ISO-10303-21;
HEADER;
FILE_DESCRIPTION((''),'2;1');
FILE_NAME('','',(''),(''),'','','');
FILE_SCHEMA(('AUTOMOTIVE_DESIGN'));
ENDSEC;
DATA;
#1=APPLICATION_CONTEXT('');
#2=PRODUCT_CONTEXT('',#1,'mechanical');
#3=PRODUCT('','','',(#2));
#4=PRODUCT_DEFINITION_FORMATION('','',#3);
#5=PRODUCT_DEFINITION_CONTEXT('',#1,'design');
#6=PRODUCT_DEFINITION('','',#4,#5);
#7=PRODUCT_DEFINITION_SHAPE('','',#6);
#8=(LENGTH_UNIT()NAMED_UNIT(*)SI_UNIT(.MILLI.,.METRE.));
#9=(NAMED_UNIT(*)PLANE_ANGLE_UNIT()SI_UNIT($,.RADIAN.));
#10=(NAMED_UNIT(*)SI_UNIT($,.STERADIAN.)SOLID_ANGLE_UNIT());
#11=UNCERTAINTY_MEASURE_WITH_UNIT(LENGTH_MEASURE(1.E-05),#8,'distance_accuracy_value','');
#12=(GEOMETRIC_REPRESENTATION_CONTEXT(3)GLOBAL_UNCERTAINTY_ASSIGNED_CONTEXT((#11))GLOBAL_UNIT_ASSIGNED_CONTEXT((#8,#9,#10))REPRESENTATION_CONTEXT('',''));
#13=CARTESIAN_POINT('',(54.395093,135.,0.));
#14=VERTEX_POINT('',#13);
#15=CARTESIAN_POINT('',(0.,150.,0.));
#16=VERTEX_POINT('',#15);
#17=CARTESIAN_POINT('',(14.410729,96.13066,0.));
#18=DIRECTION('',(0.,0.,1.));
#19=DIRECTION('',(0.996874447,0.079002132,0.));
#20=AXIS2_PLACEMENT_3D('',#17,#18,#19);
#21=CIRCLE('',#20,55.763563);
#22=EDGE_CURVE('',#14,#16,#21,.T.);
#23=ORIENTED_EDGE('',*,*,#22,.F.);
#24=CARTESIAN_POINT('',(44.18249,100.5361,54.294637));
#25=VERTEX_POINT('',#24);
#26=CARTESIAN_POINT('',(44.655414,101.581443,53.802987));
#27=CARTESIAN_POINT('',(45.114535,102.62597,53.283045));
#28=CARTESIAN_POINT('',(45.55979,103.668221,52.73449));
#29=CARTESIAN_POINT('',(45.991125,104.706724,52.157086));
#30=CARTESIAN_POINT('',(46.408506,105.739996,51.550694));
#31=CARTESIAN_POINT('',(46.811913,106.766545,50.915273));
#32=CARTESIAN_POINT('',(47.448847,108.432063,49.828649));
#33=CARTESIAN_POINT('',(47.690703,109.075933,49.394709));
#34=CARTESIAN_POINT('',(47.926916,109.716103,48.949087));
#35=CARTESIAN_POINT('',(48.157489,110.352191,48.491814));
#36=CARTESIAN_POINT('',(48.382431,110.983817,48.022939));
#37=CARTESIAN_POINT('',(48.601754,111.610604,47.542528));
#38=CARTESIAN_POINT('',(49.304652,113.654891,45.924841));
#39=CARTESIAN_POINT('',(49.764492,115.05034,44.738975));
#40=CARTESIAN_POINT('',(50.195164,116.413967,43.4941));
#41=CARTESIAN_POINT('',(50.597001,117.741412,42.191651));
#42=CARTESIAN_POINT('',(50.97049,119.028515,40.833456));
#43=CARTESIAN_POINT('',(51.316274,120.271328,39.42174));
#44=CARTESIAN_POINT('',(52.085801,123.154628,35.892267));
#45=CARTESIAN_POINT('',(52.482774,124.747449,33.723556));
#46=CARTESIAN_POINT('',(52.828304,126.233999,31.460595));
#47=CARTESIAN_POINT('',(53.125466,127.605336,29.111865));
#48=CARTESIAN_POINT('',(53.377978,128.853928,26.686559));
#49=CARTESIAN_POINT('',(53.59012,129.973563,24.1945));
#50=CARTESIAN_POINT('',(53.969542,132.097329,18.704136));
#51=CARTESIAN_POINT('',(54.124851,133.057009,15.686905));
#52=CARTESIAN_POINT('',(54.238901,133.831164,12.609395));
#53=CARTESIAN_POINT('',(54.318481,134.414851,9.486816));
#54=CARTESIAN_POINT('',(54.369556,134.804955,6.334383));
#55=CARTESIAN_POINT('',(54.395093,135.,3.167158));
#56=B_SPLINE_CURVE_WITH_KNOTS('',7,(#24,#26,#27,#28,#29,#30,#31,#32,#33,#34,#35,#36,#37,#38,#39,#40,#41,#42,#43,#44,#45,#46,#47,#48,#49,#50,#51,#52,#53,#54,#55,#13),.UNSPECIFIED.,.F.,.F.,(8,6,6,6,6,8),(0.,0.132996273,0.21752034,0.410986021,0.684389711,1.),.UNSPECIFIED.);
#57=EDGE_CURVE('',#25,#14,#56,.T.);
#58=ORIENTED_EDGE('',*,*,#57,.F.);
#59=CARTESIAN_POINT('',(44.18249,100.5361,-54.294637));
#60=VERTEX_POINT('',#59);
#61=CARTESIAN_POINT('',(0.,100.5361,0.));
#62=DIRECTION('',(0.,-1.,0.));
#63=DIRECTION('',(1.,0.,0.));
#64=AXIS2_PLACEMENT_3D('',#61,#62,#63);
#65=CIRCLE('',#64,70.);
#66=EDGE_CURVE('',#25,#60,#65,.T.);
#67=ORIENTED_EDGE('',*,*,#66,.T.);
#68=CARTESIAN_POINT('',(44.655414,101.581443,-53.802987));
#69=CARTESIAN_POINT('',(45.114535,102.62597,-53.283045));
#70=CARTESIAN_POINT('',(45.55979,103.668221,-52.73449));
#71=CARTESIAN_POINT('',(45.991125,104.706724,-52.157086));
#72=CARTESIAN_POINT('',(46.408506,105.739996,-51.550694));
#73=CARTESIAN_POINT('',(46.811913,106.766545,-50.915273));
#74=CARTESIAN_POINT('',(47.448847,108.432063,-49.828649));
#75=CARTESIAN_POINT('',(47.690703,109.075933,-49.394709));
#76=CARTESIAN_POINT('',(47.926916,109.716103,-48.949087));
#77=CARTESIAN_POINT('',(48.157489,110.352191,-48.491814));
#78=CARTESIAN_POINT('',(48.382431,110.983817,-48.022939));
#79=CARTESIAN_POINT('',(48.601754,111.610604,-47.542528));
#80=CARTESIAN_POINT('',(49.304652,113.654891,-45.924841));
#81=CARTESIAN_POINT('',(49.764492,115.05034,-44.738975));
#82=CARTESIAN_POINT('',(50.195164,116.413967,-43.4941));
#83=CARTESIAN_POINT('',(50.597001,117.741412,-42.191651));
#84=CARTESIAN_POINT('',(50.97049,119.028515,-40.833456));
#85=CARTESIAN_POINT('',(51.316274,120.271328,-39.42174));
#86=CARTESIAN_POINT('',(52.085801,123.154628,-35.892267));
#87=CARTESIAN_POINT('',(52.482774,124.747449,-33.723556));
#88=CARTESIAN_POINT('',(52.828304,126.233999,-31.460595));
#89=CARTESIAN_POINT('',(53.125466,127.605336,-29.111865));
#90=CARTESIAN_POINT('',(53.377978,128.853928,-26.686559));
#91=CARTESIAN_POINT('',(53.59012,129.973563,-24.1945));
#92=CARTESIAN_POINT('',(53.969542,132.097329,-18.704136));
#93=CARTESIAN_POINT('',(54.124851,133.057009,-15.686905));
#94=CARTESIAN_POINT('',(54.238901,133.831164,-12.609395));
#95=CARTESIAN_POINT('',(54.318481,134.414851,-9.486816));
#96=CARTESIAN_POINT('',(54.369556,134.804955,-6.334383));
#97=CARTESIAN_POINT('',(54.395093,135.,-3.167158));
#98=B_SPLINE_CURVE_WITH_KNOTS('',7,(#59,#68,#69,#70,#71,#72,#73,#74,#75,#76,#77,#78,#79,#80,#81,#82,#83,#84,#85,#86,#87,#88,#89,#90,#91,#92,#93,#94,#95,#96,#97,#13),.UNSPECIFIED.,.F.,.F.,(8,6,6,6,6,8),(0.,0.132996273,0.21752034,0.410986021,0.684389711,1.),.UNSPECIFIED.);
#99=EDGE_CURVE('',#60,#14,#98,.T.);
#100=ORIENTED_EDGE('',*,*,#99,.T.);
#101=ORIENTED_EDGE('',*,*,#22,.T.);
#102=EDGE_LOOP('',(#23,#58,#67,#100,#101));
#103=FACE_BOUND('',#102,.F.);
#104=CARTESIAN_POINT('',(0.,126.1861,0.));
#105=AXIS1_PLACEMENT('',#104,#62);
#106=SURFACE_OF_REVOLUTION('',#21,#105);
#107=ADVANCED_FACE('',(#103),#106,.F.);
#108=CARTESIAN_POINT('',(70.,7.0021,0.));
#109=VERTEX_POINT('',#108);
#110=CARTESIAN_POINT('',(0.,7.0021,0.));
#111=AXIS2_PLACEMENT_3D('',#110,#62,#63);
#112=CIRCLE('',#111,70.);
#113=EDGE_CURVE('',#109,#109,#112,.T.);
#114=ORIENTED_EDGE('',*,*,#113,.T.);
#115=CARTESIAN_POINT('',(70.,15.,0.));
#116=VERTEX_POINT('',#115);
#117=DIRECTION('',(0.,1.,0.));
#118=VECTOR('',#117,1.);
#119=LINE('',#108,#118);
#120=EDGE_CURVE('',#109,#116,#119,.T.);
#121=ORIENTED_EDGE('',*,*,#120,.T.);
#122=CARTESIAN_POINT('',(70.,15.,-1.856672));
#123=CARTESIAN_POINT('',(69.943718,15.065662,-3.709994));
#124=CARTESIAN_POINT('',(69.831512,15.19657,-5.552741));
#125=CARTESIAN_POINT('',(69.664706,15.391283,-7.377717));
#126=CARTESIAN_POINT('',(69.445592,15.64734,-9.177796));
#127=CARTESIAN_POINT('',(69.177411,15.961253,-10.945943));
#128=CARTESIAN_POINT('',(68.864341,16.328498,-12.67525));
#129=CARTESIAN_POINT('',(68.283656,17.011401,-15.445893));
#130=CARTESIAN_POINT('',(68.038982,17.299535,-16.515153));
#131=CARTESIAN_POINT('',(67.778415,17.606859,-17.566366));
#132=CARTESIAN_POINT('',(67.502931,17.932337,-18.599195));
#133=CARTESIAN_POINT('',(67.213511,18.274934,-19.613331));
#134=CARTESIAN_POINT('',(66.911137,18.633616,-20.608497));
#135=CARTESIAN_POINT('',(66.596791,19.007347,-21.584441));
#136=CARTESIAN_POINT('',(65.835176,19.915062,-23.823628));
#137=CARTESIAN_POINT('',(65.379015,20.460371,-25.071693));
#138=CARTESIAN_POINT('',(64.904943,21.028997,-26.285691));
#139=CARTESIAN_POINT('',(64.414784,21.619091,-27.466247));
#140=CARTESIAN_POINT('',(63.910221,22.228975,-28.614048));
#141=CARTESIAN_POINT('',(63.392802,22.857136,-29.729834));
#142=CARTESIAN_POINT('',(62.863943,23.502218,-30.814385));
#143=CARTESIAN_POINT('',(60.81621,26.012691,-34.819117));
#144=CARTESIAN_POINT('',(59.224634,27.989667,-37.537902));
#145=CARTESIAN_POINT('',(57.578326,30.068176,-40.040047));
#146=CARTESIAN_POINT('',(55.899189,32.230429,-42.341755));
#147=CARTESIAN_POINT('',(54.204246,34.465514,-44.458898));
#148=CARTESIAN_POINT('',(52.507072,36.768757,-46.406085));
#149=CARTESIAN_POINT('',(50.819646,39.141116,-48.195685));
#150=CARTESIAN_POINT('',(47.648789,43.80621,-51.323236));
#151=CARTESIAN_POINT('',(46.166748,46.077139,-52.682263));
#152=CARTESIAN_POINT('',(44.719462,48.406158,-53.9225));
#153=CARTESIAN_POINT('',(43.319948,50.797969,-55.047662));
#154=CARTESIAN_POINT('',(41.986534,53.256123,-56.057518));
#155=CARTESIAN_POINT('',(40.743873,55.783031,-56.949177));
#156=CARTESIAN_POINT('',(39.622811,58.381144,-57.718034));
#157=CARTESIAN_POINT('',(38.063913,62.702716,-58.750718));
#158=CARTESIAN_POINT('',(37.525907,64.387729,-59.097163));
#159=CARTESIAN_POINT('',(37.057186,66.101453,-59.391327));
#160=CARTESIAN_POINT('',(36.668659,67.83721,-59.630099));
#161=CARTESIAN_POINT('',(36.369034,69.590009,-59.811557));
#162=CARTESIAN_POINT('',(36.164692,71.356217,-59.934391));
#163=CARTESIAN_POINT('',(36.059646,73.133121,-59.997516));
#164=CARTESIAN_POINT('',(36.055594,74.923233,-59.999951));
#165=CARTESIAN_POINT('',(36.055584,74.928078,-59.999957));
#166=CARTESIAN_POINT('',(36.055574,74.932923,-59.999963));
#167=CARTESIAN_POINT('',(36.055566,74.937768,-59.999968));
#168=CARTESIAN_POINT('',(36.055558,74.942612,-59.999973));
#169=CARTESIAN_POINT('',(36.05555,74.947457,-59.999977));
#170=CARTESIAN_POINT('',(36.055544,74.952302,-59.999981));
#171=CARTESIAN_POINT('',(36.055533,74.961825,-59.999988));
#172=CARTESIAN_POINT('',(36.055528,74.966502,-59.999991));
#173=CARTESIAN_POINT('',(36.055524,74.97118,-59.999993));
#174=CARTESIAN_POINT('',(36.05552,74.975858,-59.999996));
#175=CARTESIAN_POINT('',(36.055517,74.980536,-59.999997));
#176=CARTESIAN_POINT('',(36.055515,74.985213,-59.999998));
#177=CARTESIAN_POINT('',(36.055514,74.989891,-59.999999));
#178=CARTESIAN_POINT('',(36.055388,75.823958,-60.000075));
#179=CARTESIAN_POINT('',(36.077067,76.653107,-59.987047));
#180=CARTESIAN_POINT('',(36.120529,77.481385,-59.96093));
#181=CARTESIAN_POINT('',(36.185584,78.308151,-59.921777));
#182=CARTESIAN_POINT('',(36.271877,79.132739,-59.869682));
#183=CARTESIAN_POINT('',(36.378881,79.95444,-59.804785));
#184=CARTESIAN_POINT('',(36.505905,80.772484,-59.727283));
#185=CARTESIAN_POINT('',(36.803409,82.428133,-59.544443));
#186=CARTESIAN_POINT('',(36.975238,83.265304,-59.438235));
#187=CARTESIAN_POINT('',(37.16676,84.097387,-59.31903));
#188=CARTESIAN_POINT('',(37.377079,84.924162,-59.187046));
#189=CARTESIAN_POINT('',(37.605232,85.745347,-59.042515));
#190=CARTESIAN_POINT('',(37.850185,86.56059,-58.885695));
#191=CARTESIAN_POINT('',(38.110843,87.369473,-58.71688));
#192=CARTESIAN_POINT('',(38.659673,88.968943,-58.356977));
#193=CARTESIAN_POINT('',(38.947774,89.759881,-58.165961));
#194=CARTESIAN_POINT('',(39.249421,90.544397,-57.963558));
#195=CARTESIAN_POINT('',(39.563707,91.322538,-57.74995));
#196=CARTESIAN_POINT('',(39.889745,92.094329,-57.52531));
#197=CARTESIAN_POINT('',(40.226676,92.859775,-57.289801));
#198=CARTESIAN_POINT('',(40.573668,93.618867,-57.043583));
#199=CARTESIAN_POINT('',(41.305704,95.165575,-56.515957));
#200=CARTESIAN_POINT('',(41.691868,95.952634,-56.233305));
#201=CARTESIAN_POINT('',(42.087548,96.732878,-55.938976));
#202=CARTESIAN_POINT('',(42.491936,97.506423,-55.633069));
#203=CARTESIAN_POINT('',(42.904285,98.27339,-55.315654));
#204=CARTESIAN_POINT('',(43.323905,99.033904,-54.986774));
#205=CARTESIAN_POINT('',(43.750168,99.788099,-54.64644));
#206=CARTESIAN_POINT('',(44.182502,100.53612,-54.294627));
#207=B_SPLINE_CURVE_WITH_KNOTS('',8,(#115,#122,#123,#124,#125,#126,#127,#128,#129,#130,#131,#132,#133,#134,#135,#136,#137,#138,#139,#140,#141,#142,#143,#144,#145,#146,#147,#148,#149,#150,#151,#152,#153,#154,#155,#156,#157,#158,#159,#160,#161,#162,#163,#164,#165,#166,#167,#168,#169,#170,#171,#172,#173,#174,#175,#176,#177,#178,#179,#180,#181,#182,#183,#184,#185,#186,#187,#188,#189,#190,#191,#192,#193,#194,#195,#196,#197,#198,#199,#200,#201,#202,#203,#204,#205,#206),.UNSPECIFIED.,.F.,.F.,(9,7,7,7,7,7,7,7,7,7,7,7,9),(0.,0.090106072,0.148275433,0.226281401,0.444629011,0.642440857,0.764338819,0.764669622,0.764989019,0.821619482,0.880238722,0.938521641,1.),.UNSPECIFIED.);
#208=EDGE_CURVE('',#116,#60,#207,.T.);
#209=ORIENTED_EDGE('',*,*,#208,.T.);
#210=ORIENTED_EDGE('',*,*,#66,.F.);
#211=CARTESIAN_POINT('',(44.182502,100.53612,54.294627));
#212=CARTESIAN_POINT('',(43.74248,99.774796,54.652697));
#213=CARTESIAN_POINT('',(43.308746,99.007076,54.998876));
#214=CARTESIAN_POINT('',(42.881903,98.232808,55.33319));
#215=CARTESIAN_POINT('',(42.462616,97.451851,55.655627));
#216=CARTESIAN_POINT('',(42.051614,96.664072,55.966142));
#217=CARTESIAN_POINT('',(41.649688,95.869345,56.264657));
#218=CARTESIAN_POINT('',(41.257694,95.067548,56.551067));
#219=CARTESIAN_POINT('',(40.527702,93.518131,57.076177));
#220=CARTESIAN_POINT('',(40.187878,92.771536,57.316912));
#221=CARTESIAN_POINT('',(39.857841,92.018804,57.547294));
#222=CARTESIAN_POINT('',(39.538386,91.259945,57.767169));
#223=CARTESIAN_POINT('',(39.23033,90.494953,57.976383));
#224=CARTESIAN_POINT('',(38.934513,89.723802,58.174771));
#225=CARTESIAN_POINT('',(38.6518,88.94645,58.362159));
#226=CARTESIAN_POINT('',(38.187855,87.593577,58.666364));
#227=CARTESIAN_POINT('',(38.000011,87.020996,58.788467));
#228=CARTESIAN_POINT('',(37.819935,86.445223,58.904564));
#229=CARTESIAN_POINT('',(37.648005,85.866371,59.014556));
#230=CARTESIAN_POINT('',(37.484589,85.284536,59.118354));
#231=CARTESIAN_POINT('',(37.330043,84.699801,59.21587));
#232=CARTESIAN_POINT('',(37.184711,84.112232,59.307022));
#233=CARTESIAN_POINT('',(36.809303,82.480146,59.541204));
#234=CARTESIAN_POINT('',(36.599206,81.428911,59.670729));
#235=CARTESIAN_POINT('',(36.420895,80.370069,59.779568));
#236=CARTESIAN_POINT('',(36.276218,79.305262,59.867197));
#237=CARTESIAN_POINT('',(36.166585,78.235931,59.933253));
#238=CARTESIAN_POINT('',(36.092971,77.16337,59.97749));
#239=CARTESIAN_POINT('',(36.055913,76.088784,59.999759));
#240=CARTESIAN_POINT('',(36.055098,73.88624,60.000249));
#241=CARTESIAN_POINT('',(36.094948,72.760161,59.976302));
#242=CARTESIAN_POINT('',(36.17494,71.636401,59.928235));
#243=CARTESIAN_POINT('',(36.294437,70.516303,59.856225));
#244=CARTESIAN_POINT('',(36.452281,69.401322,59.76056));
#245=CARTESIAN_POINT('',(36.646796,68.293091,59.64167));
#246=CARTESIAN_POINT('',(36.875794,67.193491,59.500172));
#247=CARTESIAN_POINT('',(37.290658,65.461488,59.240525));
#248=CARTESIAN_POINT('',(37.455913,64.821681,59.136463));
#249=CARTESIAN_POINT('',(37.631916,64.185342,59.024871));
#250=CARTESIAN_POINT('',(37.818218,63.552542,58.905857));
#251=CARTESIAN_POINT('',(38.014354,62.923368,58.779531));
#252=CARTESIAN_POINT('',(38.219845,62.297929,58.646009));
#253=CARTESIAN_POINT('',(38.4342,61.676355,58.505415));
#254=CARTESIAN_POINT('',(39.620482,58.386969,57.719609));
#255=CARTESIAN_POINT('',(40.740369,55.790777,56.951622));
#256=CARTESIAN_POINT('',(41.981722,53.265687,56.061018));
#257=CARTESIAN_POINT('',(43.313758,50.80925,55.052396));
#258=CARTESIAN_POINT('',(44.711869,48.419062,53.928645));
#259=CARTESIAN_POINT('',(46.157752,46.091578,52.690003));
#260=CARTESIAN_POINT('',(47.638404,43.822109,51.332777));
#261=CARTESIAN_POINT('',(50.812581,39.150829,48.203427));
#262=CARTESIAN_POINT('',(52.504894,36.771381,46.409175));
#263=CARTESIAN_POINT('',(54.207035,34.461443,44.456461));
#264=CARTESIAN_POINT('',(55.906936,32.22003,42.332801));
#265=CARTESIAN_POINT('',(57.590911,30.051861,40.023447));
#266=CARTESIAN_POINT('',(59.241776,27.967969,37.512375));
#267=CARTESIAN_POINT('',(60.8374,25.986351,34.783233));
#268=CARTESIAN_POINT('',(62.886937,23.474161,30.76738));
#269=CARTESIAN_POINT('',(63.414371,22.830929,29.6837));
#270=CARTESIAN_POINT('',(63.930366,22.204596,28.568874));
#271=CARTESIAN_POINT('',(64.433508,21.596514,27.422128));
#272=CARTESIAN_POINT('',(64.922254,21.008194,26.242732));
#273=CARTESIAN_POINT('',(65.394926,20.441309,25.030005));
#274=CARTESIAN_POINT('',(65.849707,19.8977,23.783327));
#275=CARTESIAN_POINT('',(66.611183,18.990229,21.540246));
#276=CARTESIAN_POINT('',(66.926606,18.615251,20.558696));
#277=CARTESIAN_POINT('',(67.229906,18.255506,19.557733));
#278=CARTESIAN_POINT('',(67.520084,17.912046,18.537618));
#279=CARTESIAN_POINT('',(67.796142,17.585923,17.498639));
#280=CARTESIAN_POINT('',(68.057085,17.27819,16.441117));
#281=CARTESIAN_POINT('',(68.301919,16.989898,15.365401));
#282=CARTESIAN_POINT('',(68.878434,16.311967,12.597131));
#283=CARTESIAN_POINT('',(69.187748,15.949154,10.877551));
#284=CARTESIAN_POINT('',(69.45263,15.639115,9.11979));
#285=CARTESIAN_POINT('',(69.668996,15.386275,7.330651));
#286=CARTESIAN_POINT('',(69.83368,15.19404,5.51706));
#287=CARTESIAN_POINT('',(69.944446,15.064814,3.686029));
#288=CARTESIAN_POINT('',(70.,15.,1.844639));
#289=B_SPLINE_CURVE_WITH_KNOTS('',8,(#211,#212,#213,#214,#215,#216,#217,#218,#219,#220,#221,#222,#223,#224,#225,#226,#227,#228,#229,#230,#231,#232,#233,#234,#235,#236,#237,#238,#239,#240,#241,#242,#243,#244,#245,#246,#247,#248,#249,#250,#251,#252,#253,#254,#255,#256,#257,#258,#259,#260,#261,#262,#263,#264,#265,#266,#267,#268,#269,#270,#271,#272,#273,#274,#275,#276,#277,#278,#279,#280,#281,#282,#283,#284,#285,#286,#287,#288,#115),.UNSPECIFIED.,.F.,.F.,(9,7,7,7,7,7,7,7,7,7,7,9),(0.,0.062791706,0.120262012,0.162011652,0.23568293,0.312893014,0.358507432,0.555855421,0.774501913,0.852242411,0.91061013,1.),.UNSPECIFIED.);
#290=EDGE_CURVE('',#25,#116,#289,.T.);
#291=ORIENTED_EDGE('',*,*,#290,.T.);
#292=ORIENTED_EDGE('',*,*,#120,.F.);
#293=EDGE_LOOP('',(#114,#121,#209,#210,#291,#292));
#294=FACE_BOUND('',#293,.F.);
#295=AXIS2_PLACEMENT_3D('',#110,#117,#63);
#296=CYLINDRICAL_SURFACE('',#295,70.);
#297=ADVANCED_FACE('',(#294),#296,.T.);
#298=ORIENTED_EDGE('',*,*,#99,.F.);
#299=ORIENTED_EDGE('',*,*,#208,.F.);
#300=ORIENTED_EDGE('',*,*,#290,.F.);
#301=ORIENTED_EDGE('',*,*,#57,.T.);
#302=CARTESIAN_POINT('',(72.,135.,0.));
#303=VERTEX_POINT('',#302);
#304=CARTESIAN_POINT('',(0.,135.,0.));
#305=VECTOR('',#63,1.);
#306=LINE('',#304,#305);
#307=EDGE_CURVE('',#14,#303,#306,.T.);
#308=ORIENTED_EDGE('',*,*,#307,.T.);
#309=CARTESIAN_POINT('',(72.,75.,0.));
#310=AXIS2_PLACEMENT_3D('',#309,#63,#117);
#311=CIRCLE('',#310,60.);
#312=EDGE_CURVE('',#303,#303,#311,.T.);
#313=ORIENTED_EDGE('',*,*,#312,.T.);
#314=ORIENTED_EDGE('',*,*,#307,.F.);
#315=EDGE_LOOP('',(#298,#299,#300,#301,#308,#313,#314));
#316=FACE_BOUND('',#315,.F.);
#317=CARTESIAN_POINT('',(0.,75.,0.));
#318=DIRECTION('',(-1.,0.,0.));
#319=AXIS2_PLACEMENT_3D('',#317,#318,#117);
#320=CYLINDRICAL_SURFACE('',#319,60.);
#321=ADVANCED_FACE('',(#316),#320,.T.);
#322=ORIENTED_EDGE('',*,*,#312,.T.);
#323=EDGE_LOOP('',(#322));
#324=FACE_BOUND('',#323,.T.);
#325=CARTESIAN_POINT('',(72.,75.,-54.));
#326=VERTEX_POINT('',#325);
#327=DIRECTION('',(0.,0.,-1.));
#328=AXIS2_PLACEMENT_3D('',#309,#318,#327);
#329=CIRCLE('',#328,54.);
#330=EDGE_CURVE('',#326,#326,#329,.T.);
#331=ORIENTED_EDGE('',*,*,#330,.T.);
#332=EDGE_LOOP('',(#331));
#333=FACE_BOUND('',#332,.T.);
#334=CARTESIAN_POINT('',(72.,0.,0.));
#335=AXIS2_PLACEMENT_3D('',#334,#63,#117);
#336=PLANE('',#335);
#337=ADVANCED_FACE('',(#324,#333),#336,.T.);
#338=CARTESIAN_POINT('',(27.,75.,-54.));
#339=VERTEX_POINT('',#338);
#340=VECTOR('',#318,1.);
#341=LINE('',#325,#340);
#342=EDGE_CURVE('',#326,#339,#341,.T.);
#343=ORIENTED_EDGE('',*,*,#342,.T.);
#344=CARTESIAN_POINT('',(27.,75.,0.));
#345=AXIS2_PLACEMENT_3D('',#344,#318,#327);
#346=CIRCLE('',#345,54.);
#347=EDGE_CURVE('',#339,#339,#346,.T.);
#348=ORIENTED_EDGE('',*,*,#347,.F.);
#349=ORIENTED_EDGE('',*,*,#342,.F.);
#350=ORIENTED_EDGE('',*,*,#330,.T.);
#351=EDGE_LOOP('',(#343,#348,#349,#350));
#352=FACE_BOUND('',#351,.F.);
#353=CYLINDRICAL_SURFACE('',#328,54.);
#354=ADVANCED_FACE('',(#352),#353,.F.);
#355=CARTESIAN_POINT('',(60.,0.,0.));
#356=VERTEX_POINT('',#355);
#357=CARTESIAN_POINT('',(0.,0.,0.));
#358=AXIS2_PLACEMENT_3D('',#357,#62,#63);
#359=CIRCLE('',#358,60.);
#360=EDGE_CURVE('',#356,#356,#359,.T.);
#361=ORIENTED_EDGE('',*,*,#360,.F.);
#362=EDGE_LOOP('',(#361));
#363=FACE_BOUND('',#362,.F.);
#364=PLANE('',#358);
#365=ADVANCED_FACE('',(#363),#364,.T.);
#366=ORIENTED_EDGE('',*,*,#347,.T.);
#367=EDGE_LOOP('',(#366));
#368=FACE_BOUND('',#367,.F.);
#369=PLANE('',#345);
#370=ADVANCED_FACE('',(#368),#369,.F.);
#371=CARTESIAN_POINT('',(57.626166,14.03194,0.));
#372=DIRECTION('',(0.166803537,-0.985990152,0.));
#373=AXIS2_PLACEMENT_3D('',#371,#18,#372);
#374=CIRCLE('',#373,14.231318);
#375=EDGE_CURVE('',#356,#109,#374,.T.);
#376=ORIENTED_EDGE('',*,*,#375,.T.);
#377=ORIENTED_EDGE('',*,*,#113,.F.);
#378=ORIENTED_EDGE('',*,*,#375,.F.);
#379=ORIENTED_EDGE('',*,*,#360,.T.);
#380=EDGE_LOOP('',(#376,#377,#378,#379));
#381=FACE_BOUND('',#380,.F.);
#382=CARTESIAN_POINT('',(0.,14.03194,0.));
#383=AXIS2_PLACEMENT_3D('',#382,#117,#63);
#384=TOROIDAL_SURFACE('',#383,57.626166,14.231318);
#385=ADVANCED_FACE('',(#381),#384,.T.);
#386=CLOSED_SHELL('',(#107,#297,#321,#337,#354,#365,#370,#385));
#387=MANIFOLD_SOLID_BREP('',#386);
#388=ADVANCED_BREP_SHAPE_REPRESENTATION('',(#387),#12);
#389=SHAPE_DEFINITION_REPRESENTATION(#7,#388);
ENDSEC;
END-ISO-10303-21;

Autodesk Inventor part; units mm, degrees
ref_plane "YZ Plane" through (0, 0, 0) normal (1, 0, 0) x (0, 1, 0)
ref_plane "XZ Plane" through (0, 0, 0) normal (0, 1, 0) x (-1, 0, 0)
ref_plane "XY Plane" through (0, 0, 0) normal (0, 0, 1) x (1, 0, 0)
sketch "Sketch1" plane through (0, 0, 0) normal (0, 0, 1) x (1, 0, 0)
  line L0 (0, 0) -> (60, 0)
  line L1 (0, 126.1861) -> (0, 150)
  line L2 (0, 18.2402) -> (0, 0)
  line L3 (0, 126.1861) -> (0, 18.2402)
  line L4 (70, 7.0021) -> (70, 100.5361)
  arc A0 (70, 100.5361) -> (0, 150) centre (14.4108, 96.1307) ccw
  arc A1 (60, 0) -> (70, 7.0021) centre (57.6261, 14.0321) ccw
  point P0 (84.7515, 38.5438)
  dimension "d1" = 60
  dimension "d2" = 150
  dimension "d22" = 10
revolve "Revolution1" add sketch "Sketch1" angle 360 about axis through (0, 126.1861, 0) along (0, -1, 0)
sketch "Sketch2" plane through (0, 0, 0) normal (1, 0, 0) x (0, 1, 0)
  line L0 (0, 75) -> (0, -75) projected
  circle A0 centre (75, 0) radius 60
  point P0 (0, 0)
  point P1 (150, 0)
  dimension "d4" = 120
  dimension "d25" = 75
extrude "Extrusion1" add sketch "Sketch2" along normal blind 72
hole "Hole1" at (72, 75, 0) direction (-1, 0, 0) diameter 108 depth 45
properties part number "tete"
